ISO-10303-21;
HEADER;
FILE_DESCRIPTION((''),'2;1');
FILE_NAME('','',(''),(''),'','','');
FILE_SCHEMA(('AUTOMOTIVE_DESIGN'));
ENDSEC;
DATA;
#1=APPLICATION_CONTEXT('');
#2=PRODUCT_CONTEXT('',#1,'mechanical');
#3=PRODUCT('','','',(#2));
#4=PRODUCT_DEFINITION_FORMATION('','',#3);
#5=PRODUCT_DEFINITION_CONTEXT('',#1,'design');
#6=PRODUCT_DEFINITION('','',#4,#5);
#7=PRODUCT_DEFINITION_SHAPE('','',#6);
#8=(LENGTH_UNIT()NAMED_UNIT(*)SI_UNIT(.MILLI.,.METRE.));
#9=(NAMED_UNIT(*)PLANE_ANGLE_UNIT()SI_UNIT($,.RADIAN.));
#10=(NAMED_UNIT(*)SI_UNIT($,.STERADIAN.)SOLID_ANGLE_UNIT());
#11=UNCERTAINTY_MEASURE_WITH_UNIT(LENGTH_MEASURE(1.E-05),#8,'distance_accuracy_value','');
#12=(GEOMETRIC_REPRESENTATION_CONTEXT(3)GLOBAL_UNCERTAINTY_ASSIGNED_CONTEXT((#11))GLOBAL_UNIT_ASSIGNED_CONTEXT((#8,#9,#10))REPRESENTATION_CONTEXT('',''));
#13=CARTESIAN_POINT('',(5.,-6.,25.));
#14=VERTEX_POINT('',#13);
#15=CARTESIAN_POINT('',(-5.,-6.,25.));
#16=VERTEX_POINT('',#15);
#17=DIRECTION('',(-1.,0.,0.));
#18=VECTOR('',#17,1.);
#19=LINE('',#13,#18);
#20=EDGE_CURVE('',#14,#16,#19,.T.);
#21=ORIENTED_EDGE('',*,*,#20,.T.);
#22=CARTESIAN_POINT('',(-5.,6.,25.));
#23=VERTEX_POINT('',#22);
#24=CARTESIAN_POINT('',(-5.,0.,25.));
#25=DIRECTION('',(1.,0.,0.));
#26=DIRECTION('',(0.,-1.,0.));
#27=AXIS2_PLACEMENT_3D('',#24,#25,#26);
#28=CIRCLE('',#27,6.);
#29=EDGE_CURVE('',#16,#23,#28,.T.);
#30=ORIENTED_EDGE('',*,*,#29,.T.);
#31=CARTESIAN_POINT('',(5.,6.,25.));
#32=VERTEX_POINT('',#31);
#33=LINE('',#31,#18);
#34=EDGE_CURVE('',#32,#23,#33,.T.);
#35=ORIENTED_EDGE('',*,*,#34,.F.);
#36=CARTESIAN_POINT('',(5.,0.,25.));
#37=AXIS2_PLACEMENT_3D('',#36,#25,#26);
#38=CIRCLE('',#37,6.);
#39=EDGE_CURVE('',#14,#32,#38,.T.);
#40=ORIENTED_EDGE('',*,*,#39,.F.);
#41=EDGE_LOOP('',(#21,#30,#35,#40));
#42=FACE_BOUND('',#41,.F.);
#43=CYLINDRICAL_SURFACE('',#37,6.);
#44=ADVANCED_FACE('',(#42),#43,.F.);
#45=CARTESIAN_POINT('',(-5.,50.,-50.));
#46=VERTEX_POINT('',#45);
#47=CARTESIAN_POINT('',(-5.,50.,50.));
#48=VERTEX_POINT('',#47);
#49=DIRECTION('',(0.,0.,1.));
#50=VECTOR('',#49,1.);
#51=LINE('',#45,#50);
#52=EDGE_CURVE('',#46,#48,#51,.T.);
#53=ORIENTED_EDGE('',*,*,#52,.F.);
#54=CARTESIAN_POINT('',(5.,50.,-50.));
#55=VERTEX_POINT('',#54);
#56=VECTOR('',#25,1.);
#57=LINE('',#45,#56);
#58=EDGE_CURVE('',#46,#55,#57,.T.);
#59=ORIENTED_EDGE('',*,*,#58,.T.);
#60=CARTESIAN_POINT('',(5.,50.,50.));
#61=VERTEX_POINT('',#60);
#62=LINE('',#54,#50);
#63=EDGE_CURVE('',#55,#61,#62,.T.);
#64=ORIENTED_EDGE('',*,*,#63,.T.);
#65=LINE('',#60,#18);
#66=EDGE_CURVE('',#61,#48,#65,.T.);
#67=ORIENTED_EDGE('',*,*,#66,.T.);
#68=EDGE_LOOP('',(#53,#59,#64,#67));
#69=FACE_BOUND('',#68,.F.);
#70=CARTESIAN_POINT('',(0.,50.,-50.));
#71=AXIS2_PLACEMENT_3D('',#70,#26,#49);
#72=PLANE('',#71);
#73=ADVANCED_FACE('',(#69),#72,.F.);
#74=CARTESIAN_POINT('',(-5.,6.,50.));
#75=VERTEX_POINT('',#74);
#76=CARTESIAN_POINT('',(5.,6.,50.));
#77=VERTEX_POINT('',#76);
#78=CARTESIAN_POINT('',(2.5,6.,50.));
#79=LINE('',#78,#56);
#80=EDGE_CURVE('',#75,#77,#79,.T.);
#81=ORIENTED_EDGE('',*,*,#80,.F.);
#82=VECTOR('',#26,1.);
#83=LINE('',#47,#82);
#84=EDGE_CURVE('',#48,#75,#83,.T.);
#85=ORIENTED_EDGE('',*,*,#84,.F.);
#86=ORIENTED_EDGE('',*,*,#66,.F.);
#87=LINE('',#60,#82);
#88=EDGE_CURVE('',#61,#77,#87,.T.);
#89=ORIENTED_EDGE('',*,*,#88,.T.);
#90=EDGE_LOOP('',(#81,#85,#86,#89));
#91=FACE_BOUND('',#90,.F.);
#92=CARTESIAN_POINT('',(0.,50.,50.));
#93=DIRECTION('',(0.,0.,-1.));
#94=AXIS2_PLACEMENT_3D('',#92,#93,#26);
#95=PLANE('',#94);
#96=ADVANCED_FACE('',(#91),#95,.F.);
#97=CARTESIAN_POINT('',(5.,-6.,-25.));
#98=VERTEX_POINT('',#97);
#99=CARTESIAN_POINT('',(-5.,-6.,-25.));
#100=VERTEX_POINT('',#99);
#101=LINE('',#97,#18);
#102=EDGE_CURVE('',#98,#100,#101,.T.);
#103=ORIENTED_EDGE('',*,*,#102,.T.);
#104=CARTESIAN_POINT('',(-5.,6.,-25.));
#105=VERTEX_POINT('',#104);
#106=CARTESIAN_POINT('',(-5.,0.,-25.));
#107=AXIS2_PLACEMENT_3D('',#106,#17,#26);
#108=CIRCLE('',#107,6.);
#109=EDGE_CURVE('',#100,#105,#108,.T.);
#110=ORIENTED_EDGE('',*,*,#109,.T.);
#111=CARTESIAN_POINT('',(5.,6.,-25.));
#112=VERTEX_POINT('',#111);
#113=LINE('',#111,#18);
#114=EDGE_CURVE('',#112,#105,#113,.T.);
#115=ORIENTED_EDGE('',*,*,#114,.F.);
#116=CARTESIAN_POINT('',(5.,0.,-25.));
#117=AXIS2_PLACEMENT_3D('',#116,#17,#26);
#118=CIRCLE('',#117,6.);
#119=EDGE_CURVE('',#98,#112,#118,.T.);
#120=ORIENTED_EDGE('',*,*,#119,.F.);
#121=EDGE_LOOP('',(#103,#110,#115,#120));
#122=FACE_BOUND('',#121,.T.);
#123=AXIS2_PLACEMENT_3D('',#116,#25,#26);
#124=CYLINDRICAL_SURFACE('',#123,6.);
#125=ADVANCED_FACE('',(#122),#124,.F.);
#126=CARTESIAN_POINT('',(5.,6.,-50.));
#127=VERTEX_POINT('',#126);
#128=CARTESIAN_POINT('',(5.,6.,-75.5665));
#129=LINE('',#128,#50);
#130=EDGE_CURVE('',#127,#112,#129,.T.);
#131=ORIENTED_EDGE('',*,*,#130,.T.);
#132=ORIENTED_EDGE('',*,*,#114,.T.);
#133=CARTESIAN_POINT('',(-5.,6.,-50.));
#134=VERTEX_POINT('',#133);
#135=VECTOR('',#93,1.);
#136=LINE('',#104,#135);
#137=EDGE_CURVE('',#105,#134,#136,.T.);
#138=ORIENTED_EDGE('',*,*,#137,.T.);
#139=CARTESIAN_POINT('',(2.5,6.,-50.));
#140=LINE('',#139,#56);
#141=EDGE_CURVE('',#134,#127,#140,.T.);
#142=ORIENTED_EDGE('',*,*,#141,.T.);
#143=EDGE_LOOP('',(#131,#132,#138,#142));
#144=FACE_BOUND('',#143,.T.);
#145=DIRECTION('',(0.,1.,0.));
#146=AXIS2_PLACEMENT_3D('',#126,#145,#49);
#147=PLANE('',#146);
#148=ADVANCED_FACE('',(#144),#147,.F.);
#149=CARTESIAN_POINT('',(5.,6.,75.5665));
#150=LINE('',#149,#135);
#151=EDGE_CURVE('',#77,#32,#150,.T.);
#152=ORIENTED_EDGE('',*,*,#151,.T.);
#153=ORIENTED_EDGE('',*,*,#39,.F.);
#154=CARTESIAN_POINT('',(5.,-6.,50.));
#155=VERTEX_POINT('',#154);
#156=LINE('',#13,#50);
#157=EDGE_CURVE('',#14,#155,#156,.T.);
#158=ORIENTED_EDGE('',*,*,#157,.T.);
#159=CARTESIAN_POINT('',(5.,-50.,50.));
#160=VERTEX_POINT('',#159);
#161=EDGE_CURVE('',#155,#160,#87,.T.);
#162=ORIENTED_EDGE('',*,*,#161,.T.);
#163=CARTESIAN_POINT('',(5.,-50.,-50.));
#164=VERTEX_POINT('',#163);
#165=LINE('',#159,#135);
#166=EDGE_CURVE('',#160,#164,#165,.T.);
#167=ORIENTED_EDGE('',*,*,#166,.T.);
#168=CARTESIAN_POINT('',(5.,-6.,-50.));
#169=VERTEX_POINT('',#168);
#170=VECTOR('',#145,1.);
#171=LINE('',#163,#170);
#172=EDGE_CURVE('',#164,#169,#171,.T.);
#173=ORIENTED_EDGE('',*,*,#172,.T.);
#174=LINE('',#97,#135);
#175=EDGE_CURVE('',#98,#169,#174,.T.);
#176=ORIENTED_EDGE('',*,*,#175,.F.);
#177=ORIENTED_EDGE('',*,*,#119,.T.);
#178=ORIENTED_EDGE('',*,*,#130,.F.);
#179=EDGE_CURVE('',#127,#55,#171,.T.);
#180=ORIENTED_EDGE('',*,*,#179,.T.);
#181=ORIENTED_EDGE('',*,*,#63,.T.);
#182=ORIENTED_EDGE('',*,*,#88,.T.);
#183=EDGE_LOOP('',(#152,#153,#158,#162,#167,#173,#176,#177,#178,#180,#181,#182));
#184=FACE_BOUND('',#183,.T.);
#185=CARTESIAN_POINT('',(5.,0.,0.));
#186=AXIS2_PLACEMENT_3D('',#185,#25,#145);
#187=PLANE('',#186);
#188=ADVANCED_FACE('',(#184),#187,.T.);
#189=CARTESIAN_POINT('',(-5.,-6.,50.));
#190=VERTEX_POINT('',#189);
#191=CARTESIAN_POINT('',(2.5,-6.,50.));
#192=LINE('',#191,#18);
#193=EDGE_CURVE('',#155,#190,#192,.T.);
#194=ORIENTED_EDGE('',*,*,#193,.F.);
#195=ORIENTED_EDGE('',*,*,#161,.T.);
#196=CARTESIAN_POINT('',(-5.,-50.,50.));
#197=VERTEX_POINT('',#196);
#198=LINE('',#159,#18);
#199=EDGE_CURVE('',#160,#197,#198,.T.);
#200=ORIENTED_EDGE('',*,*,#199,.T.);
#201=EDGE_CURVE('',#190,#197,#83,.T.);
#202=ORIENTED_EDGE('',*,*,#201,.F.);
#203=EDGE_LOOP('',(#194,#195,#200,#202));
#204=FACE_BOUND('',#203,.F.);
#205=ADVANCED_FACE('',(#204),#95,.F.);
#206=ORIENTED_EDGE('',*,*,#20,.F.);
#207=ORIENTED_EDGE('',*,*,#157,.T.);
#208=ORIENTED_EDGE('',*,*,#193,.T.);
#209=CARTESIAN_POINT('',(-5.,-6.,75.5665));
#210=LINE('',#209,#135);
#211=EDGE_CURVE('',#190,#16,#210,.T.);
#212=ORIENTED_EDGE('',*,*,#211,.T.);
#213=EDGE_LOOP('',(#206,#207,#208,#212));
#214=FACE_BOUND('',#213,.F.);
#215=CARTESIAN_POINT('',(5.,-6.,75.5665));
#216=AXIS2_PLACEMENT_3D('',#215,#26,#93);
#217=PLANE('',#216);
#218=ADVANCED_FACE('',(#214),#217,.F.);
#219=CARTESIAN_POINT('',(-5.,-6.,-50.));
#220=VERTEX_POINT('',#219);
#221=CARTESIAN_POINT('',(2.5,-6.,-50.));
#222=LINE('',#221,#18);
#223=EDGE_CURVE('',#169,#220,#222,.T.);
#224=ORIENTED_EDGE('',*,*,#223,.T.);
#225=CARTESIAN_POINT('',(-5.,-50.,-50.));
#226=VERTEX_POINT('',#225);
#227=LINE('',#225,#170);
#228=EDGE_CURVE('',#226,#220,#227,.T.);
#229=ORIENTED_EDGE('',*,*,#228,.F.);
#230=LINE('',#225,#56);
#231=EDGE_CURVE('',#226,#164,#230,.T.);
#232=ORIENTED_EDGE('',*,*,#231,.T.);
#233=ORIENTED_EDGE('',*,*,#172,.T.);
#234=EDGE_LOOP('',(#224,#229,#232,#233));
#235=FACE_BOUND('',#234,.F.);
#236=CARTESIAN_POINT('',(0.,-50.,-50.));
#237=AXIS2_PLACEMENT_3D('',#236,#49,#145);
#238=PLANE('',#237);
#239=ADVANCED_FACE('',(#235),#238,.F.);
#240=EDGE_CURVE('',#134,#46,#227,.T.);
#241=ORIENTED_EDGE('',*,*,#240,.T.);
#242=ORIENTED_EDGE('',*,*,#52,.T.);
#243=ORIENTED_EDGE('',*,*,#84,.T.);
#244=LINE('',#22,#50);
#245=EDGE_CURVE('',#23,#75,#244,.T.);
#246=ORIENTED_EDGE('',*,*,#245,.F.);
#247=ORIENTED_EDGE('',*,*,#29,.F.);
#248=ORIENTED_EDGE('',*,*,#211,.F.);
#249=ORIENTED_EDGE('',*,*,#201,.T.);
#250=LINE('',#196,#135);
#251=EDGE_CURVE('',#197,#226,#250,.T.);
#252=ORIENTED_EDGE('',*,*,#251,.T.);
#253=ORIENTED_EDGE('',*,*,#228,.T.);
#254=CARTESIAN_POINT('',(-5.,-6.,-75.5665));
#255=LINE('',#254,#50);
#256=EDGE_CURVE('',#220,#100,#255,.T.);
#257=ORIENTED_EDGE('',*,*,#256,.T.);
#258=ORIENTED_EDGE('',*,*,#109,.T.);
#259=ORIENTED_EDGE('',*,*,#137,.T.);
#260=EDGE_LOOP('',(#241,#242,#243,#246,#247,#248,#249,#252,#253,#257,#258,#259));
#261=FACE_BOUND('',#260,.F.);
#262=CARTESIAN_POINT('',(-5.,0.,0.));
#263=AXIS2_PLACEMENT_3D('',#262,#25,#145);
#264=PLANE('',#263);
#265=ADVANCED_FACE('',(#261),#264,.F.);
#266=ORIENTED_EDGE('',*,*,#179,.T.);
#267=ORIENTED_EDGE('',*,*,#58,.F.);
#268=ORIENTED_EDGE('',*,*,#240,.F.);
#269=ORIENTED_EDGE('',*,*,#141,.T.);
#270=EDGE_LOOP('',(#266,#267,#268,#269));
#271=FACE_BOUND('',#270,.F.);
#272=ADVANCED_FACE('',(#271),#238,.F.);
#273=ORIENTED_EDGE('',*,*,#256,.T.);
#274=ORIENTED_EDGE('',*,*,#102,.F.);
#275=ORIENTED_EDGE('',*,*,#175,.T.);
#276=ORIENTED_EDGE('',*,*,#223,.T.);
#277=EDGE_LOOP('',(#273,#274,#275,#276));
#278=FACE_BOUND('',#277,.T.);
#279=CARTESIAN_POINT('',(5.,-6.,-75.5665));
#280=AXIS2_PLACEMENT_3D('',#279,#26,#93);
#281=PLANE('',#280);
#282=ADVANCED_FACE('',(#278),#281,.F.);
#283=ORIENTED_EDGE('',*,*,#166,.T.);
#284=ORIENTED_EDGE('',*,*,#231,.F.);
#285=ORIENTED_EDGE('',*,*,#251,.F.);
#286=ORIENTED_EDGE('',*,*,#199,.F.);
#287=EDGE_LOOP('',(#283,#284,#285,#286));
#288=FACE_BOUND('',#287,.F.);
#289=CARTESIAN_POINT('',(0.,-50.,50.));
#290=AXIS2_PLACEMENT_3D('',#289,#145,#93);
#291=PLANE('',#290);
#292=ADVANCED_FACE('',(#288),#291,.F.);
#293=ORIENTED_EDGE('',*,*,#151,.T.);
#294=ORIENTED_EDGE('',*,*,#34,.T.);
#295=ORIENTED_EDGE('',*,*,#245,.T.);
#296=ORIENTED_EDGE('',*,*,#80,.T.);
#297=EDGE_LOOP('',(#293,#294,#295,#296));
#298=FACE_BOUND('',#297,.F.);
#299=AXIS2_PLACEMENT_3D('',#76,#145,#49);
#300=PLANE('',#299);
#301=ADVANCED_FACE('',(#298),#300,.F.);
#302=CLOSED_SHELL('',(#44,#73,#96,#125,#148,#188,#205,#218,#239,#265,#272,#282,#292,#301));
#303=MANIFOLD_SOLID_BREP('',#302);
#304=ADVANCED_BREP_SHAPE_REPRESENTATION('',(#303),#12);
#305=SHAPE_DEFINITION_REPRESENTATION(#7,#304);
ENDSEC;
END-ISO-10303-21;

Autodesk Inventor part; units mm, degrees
ref_plane "YZ Plane" through (0, 0, 0) normal (1, 0, 0) x (0, 1, 0)
ref_plane "XZ Plane" through (0, 0, 0) normal (0, 1, 0) x (-1, 0, 0)
ref_plane "XY Plane" through (0, 0, 0) normal (0, 0, 1) x (1, 0, 0)
sketch "Sketch1" plane through (0, 0, 0) normal (1, 0, 0) x (0, 1, 0)
  line L0 (-50, -50) -> (50, -50)
  line L1 (50, -50) -> (50, 50)
  line L2 (50, 50) -> (-50, 50)
  line L3 (-50, 50) -> (-50, -50)
  line L4 (-50, -50) -> (50, 50) construction
  line L5 (50, -50) -> (-50, 50) construction
  point P0 (0, 0)
  dimension "d0" = 100
  dimension "d1" = 100
extrude "Extrusion1" add sketch "Sketch1" along normal mid plane 10
sketch "Sketch2" plane through (5, 0, 0) normal (1, 0, 0) x (0, 0, -1)
  line L0 (-75.5665, 0) -> (-25, 0) construction
  line L1 (-75.5665, -6) -> (-25, -6)
  line L2 (-25, 6) -> (-75.5665, 6)
  arc A0 (-75.5665, 6) -> (-75.5665, -6) centre (-75.5665, 0) ccw
  arc A1 (-25, -6) -> (-25, 6) centre (-25, 0) ccw
  line L3 (-50, 50) -> (-50, -50) projected
  point P0 (0, 0)
  point P1 (-50.2832, 0)
  dimension "d4" = 25
  dimension "d5" = 6
extrude "Extrusion2" cut sketch "Sketch2" against normal blind 10
mirror "Mirror1" about plane through (0, 0, 0) normal (0, 0, 1) of "Extrusion2"
ref_plane "Work Plane1" through (0, 0, 0) normal (0, 0, 1) x (1, 0, 0)
properties part number "Part3dia16"
